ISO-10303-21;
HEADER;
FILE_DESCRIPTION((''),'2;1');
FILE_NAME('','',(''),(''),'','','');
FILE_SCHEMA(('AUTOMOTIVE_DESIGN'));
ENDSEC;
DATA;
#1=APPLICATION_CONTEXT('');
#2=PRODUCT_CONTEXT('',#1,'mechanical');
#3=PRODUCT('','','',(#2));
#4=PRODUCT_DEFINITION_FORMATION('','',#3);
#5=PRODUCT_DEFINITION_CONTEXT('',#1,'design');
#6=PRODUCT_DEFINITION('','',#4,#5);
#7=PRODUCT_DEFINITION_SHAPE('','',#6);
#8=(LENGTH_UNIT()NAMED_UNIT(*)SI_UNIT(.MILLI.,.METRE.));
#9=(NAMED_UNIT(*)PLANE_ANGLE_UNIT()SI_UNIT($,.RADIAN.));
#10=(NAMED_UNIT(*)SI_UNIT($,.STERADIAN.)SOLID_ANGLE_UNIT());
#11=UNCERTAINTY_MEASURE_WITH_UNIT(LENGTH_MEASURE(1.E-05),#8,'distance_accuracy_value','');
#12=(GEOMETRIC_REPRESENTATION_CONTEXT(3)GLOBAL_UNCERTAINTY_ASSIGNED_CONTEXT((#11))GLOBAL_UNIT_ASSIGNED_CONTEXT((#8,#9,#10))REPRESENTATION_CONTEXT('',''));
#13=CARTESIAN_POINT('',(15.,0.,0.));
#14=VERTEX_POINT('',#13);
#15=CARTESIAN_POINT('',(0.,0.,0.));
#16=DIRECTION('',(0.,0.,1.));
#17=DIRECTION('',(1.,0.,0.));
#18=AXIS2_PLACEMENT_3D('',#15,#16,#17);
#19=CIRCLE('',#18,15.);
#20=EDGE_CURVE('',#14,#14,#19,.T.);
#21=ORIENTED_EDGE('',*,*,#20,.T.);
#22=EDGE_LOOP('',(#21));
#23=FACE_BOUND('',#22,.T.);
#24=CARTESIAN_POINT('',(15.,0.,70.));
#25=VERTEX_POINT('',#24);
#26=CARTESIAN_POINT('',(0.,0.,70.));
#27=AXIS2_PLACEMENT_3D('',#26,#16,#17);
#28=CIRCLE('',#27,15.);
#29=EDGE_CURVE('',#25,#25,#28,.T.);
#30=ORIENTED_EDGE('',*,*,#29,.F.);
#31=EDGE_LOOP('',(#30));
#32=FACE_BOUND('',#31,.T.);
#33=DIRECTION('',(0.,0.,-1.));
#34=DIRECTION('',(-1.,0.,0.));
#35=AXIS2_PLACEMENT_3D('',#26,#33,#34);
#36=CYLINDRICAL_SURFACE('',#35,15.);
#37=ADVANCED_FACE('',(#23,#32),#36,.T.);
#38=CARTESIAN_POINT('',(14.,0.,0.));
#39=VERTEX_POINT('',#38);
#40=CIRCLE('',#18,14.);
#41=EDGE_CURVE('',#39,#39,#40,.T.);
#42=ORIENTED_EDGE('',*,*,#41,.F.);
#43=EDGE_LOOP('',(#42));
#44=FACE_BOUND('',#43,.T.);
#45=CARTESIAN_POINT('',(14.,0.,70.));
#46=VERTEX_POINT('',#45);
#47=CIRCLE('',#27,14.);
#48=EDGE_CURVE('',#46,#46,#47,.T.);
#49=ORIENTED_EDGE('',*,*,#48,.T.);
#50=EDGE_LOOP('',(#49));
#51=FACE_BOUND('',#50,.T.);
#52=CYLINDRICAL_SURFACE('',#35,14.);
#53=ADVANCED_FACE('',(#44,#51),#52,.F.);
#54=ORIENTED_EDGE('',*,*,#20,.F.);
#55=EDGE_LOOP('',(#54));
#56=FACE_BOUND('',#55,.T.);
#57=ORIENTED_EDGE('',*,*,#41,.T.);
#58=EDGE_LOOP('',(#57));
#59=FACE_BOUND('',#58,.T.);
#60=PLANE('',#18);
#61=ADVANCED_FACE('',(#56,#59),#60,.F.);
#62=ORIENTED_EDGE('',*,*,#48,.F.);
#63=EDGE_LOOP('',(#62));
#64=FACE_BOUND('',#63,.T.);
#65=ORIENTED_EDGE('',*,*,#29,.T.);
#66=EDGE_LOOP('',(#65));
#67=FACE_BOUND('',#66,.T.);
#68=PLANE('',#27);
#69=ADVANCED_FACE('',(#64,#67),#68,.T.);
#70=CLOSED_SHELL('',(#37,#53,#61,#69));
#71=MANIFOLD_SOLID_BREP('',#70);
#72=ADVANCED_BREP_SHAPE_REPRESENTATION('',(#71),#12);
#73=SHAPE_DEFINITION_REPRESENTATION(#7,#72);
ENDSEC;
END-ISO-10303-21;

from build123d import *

# Parameters (mm, degrees)
SKETCH1_R           = 15
SKETCH1_R_2         = 14
BOSS_EXTRUDE1_DEPTH = 70


with BuildPart() as part:
    # Sketch1 → Boss-Extrude1 (new body)
    with BuildSketch(Plane.XY):
        Circle(SKETCH1_R)
        Circle(SKETCH1_R_2, mode=Mode.SUBTRACT)
    extrude(amount=BOSS_EXTRUDE1_DEPTH)


solid = part.part
